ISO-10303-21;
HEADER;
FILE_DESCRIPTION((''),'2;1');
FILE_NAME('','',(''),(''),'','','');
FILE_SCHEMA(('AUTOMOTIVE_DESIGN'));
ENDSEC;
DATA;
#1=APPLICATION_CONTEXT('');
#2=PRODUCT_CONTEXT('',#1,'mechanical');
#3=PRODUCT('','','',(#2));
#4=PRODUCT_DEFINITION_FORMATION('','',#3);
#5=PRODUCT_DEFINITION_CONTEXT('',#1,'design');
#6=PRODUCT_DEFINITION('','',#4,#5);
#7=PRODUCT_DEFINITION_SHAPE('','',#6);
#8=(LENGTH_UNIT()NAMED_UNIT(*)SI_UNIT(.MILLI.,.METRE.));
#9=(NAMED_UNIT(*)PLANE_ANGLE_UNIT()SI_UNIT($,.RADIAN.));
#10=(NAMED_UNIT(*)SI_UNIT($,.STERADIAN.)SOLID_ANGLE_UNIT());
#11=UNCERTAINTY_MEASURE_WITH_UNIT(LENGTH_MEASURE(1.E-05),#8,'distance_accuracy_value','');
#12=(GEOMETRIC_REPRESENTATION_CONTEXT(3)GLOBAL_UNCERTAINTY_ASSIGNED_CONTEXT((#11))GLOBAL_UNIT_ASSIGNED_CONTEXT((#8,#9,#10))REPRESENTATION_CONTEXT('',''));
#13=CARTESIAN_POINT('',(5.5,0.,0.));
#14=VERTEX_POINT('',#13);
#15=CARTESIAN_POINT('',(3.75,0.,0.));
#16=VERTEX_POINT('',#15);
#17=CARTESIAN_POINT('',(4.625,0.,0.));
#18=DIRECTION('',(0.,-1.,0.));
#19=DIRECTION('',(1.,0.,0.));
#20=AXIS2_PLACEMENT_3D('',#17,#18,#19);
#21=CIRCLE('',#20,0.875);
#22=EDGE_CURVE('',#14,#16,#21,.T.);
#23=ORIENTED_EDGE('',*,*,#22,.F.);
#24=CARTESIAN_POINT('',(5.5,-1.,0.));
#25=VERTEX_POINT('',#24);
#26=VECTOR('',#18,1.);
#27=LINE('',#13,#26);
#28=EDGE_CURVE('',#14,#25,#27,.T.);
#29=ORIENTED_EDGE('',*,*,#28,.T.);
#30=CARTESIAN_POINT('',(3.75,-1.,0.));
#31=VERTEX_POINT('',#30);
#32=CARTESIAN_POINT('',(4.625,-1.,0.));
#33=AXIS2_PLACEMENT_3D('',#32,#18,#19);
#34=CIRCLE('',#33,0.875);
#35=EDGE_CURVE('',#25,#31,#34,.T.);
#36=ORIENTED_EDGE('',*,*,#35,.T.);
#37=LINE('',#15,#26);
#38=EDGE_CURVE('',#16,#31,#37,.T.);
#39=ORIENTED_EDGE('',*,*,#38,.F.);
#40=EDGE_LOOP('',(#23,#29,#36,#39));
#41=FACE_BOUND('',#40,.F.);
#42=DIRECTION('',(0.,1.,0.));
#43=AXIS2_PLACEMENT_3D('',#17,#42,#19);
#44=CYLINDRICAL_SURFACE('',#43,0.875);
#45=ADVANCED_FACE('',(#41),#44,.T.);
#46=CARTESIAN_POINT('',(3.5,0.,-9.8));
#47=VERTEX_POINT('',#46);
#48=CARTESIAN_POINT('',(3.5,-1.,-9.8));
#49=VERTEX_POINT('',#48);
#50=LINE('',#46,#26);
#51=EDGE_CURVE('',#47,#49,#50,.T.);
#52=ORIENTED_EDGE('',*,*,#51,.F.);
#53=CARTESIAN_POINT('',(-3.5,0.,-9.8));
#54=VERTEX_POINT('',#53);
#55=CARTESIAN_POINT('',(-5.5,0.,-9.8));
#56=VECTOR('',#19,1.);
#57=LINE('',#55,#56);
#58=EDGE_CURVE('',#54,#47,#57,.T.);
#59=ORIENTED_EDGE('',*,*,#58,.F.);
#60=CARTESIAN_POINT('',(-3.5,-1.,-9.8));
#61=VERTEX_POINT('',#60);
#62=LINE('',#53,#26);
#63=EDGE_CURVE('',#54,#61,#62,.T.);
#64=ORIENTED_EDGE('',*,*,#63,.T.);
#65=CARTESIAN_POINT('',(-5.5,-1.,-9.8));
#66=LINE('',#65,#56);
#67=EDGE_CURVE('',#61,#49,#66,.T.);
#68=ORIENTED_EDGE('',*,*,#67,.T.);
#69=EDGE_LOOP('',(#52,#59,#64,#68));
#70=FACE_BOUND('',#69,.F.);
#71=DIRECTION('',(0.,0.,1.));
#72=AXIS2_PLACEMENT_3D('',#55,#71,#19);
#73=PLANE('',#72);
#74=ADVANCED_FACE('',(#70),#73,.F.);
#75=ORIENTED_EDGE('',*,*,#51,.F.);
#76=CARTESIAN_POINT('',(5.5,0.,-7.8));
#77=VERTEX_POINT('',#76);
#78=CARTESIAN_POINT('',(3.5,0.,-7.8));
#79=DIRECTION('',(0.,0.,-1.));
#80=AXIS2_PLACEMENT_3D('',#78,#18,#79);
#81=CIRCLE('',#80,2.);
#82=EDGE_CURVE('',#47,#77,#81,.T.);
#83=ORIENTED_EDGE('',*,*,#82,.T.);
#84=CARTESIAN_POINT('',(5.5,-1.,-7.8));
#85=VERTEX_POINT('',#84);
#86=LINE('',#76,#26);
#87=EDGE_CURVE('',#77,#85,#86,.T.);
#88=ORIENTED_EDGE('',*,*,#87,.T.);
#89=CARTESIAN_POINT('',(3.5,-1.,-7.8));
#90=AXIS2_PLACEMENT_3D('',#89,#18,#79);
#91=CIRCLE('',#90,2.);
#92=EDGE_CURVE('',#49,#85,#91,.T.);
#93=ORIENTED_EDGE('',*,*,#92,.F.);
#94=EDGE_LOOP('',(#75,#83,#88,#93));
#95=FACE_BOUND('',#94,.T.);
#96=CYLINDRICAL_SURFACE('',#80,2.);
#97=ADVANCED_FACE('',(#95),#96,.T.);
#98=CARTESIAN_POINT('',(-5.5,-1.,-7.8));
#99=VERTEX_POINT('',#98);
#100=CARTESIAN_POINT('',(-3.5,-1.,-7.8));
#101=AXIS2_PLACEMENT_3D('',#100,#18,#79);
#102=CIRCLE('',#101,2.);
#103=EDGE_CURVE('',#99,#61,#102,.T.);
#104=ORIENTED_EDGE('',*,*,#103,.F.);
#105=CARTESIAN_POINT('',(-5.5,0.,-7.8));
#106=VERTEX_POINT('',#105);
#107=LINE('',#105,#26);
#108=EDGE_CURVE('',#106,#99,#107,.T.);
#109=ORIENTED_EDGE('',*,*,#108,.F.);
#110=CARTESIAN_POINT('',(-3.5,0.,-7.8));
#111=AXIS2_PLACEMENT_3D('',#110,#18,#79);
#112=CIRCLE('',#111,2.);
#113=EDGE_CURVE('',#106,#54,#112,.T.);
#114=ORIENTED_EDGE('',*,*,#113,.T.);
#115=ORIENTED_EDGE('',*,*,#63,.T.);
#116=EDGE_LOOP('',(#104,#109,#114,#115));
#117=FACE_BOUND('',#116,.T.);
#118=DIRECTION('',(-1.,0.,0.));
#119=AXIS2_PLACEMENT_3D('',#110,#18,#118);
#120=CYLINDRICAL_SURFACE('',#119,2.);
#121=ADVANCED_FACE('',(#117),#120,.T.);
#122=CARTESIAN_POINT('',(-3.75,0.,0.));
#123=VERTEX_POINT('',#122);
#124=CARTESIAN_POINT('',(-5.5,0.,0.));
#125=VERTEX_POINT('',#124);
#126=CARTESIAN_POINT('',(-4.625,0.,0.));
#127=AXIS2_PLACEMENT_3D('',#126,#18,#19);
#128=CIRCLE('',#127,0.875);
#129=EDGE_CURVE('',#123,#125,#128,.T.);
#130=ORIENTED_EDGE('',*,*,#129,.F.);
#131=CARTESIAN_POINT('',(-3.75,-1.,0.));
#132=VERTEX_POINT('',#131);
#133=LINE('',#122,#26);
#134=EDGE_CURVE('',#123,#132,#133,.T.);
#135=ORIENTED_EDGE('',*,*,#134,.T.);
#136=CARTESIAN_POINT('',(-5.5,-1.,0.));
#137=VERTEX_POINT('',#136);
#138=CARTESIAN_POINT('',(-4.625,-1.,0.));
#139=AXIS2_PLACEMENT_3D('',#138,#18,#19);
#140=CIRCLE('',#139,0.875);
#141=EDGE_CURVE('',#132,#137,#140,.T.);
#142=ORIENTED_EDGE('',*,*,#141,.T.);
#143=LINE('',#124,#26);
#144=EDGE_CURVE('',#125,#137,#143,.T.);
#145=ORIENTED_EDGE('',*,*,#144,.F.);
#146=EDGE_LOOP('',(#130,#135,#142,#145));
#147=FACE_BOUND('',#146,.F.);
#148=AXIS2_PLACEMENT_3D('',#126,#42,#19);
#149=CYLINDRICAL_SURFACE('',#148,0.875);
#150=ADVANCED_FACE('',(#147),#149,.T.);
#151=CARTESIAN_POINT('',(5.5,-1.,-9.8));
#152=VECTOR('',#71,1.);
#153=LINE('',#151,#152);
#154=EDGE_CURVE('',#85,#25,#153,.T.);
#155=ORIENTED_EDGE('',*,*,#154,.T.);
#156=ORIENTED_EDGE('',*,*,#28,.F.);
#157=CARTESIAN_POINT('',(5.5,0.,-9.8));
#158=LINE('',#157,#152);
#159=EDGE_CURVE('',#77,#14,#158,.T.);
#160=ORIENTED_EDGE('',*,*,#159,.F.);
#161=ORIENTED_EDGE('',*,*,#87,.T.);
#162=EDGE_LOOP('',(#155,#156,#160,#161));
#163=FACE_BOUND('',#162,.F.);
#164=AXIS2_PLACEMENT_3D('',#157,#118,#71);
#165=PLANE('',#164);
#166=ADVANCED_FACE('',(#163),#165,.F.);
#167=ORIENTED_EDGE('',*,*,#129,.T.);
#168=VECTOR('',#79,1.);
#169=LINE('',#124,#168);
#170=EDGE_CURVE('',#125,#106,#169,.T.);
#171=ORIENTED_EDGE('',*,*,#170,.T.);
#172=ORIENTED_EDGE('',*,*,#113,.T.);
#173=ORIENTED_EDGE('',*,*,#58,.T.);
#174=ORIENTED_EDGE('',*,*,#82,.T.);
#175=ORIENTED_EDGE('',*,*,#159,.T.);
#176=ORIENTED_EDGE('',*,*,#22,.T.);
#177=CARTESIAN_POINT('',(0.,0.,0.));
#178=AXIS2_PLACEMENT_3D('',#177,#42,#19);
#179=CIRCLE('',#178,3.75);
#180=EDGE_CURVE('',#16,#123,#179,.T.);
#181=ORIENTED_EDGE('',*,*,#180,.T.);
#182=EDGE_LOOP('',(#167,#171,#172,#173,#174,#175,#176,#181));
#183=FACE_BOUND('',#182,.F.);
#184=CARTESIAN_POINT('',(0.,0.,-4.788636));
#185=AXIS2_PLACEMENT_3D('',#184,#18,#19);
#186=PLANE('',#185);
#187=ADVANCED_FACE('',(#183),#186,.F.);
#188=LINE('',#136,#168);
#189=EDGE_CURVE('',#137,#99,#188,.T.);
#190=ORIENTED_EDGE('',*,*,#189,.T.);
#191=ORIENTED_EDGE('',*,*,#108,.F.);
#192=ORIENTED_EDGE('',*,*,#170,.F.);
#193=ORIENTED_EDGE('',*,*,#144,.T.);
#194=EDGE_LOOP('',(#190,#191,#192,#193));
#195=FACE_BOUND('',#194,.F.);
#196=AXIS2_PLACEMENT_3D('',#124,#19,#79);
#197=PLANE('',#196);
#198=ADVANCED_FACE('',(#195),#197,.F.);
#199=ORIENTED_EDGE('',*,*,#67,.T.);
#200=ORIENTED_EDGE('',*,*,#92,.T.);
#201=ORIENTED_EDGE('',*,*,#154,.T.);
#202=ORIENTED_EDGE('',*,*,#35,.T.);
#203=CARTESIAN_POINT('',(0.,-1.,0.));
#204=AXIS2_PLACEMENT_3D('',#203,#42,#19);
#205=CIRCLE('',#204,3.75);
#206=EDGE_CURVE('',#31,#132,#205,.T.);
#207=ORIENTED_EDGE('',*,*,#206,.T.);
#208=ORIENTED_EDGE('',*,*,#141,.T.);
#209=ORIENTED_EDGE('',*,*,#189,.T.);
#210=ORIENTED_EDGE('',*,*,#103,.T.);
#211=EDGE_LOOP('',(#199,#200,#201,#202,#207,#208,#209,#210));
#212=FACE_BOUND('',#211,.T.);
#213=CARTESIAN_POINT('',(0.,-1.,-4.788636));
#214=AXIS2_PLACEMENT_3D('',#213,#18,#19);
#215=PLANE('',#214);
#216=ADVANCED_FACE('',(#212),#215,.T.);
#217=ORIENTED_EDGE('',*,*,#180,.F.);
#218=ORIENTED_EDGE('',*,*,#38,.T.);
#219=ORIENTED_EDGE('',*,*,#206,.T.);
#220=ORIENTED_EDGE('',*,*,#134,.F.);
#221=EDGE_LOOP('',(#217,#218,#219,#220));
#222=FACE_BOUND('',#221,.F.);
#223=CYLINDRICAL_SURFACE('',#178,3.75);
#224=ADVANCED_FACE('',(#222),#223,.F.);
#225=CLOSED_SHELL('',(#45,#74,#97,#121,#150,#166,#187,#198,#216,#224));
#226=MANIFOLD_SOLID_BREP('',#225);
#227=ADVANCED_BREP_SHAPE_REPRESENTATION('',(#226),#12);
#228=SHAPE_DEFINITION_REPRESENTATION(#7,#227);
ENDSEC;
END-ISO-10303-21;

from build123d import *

# Parameters (mm, degrees)
F1_DEPTH = 1
F2_R     = 2


with BuildPart() as f1:
    # F0 (on Front) → F1 (new body)
    with BuildSketch(Plane.XZ):
        with BuildLine():
            ThreePointArc((3.75, 0), (0, -3.75), (-3.75, 0))
            ThreePointArc((-3.75, 0), (-4.625, 0.875), (-5.5, 0))
            Line((-5.5, 0), (-5.5, -9.8))
            Line((-5.5, -9.8), (0, -9.8))
            Line((0, -9.8), (5.5, -9.8))
            Line((5.5, -9.8), (5.5, 0))
            ThreePointArc((5.5, 0), (4.625, 0.875), (3.75, 0))
        make_face()
    extrude(amount=F1_DEPTH)

    # F2
    f2_edges = [f1.edges().sort_by_distance(p)[0] for p in [
        (-5.5, -0.5, -9.8),
        (5.5, -0.5, -9.8),
    ]]
    fillet(f2_edges, radius=F2_R)


solid = f1.part
